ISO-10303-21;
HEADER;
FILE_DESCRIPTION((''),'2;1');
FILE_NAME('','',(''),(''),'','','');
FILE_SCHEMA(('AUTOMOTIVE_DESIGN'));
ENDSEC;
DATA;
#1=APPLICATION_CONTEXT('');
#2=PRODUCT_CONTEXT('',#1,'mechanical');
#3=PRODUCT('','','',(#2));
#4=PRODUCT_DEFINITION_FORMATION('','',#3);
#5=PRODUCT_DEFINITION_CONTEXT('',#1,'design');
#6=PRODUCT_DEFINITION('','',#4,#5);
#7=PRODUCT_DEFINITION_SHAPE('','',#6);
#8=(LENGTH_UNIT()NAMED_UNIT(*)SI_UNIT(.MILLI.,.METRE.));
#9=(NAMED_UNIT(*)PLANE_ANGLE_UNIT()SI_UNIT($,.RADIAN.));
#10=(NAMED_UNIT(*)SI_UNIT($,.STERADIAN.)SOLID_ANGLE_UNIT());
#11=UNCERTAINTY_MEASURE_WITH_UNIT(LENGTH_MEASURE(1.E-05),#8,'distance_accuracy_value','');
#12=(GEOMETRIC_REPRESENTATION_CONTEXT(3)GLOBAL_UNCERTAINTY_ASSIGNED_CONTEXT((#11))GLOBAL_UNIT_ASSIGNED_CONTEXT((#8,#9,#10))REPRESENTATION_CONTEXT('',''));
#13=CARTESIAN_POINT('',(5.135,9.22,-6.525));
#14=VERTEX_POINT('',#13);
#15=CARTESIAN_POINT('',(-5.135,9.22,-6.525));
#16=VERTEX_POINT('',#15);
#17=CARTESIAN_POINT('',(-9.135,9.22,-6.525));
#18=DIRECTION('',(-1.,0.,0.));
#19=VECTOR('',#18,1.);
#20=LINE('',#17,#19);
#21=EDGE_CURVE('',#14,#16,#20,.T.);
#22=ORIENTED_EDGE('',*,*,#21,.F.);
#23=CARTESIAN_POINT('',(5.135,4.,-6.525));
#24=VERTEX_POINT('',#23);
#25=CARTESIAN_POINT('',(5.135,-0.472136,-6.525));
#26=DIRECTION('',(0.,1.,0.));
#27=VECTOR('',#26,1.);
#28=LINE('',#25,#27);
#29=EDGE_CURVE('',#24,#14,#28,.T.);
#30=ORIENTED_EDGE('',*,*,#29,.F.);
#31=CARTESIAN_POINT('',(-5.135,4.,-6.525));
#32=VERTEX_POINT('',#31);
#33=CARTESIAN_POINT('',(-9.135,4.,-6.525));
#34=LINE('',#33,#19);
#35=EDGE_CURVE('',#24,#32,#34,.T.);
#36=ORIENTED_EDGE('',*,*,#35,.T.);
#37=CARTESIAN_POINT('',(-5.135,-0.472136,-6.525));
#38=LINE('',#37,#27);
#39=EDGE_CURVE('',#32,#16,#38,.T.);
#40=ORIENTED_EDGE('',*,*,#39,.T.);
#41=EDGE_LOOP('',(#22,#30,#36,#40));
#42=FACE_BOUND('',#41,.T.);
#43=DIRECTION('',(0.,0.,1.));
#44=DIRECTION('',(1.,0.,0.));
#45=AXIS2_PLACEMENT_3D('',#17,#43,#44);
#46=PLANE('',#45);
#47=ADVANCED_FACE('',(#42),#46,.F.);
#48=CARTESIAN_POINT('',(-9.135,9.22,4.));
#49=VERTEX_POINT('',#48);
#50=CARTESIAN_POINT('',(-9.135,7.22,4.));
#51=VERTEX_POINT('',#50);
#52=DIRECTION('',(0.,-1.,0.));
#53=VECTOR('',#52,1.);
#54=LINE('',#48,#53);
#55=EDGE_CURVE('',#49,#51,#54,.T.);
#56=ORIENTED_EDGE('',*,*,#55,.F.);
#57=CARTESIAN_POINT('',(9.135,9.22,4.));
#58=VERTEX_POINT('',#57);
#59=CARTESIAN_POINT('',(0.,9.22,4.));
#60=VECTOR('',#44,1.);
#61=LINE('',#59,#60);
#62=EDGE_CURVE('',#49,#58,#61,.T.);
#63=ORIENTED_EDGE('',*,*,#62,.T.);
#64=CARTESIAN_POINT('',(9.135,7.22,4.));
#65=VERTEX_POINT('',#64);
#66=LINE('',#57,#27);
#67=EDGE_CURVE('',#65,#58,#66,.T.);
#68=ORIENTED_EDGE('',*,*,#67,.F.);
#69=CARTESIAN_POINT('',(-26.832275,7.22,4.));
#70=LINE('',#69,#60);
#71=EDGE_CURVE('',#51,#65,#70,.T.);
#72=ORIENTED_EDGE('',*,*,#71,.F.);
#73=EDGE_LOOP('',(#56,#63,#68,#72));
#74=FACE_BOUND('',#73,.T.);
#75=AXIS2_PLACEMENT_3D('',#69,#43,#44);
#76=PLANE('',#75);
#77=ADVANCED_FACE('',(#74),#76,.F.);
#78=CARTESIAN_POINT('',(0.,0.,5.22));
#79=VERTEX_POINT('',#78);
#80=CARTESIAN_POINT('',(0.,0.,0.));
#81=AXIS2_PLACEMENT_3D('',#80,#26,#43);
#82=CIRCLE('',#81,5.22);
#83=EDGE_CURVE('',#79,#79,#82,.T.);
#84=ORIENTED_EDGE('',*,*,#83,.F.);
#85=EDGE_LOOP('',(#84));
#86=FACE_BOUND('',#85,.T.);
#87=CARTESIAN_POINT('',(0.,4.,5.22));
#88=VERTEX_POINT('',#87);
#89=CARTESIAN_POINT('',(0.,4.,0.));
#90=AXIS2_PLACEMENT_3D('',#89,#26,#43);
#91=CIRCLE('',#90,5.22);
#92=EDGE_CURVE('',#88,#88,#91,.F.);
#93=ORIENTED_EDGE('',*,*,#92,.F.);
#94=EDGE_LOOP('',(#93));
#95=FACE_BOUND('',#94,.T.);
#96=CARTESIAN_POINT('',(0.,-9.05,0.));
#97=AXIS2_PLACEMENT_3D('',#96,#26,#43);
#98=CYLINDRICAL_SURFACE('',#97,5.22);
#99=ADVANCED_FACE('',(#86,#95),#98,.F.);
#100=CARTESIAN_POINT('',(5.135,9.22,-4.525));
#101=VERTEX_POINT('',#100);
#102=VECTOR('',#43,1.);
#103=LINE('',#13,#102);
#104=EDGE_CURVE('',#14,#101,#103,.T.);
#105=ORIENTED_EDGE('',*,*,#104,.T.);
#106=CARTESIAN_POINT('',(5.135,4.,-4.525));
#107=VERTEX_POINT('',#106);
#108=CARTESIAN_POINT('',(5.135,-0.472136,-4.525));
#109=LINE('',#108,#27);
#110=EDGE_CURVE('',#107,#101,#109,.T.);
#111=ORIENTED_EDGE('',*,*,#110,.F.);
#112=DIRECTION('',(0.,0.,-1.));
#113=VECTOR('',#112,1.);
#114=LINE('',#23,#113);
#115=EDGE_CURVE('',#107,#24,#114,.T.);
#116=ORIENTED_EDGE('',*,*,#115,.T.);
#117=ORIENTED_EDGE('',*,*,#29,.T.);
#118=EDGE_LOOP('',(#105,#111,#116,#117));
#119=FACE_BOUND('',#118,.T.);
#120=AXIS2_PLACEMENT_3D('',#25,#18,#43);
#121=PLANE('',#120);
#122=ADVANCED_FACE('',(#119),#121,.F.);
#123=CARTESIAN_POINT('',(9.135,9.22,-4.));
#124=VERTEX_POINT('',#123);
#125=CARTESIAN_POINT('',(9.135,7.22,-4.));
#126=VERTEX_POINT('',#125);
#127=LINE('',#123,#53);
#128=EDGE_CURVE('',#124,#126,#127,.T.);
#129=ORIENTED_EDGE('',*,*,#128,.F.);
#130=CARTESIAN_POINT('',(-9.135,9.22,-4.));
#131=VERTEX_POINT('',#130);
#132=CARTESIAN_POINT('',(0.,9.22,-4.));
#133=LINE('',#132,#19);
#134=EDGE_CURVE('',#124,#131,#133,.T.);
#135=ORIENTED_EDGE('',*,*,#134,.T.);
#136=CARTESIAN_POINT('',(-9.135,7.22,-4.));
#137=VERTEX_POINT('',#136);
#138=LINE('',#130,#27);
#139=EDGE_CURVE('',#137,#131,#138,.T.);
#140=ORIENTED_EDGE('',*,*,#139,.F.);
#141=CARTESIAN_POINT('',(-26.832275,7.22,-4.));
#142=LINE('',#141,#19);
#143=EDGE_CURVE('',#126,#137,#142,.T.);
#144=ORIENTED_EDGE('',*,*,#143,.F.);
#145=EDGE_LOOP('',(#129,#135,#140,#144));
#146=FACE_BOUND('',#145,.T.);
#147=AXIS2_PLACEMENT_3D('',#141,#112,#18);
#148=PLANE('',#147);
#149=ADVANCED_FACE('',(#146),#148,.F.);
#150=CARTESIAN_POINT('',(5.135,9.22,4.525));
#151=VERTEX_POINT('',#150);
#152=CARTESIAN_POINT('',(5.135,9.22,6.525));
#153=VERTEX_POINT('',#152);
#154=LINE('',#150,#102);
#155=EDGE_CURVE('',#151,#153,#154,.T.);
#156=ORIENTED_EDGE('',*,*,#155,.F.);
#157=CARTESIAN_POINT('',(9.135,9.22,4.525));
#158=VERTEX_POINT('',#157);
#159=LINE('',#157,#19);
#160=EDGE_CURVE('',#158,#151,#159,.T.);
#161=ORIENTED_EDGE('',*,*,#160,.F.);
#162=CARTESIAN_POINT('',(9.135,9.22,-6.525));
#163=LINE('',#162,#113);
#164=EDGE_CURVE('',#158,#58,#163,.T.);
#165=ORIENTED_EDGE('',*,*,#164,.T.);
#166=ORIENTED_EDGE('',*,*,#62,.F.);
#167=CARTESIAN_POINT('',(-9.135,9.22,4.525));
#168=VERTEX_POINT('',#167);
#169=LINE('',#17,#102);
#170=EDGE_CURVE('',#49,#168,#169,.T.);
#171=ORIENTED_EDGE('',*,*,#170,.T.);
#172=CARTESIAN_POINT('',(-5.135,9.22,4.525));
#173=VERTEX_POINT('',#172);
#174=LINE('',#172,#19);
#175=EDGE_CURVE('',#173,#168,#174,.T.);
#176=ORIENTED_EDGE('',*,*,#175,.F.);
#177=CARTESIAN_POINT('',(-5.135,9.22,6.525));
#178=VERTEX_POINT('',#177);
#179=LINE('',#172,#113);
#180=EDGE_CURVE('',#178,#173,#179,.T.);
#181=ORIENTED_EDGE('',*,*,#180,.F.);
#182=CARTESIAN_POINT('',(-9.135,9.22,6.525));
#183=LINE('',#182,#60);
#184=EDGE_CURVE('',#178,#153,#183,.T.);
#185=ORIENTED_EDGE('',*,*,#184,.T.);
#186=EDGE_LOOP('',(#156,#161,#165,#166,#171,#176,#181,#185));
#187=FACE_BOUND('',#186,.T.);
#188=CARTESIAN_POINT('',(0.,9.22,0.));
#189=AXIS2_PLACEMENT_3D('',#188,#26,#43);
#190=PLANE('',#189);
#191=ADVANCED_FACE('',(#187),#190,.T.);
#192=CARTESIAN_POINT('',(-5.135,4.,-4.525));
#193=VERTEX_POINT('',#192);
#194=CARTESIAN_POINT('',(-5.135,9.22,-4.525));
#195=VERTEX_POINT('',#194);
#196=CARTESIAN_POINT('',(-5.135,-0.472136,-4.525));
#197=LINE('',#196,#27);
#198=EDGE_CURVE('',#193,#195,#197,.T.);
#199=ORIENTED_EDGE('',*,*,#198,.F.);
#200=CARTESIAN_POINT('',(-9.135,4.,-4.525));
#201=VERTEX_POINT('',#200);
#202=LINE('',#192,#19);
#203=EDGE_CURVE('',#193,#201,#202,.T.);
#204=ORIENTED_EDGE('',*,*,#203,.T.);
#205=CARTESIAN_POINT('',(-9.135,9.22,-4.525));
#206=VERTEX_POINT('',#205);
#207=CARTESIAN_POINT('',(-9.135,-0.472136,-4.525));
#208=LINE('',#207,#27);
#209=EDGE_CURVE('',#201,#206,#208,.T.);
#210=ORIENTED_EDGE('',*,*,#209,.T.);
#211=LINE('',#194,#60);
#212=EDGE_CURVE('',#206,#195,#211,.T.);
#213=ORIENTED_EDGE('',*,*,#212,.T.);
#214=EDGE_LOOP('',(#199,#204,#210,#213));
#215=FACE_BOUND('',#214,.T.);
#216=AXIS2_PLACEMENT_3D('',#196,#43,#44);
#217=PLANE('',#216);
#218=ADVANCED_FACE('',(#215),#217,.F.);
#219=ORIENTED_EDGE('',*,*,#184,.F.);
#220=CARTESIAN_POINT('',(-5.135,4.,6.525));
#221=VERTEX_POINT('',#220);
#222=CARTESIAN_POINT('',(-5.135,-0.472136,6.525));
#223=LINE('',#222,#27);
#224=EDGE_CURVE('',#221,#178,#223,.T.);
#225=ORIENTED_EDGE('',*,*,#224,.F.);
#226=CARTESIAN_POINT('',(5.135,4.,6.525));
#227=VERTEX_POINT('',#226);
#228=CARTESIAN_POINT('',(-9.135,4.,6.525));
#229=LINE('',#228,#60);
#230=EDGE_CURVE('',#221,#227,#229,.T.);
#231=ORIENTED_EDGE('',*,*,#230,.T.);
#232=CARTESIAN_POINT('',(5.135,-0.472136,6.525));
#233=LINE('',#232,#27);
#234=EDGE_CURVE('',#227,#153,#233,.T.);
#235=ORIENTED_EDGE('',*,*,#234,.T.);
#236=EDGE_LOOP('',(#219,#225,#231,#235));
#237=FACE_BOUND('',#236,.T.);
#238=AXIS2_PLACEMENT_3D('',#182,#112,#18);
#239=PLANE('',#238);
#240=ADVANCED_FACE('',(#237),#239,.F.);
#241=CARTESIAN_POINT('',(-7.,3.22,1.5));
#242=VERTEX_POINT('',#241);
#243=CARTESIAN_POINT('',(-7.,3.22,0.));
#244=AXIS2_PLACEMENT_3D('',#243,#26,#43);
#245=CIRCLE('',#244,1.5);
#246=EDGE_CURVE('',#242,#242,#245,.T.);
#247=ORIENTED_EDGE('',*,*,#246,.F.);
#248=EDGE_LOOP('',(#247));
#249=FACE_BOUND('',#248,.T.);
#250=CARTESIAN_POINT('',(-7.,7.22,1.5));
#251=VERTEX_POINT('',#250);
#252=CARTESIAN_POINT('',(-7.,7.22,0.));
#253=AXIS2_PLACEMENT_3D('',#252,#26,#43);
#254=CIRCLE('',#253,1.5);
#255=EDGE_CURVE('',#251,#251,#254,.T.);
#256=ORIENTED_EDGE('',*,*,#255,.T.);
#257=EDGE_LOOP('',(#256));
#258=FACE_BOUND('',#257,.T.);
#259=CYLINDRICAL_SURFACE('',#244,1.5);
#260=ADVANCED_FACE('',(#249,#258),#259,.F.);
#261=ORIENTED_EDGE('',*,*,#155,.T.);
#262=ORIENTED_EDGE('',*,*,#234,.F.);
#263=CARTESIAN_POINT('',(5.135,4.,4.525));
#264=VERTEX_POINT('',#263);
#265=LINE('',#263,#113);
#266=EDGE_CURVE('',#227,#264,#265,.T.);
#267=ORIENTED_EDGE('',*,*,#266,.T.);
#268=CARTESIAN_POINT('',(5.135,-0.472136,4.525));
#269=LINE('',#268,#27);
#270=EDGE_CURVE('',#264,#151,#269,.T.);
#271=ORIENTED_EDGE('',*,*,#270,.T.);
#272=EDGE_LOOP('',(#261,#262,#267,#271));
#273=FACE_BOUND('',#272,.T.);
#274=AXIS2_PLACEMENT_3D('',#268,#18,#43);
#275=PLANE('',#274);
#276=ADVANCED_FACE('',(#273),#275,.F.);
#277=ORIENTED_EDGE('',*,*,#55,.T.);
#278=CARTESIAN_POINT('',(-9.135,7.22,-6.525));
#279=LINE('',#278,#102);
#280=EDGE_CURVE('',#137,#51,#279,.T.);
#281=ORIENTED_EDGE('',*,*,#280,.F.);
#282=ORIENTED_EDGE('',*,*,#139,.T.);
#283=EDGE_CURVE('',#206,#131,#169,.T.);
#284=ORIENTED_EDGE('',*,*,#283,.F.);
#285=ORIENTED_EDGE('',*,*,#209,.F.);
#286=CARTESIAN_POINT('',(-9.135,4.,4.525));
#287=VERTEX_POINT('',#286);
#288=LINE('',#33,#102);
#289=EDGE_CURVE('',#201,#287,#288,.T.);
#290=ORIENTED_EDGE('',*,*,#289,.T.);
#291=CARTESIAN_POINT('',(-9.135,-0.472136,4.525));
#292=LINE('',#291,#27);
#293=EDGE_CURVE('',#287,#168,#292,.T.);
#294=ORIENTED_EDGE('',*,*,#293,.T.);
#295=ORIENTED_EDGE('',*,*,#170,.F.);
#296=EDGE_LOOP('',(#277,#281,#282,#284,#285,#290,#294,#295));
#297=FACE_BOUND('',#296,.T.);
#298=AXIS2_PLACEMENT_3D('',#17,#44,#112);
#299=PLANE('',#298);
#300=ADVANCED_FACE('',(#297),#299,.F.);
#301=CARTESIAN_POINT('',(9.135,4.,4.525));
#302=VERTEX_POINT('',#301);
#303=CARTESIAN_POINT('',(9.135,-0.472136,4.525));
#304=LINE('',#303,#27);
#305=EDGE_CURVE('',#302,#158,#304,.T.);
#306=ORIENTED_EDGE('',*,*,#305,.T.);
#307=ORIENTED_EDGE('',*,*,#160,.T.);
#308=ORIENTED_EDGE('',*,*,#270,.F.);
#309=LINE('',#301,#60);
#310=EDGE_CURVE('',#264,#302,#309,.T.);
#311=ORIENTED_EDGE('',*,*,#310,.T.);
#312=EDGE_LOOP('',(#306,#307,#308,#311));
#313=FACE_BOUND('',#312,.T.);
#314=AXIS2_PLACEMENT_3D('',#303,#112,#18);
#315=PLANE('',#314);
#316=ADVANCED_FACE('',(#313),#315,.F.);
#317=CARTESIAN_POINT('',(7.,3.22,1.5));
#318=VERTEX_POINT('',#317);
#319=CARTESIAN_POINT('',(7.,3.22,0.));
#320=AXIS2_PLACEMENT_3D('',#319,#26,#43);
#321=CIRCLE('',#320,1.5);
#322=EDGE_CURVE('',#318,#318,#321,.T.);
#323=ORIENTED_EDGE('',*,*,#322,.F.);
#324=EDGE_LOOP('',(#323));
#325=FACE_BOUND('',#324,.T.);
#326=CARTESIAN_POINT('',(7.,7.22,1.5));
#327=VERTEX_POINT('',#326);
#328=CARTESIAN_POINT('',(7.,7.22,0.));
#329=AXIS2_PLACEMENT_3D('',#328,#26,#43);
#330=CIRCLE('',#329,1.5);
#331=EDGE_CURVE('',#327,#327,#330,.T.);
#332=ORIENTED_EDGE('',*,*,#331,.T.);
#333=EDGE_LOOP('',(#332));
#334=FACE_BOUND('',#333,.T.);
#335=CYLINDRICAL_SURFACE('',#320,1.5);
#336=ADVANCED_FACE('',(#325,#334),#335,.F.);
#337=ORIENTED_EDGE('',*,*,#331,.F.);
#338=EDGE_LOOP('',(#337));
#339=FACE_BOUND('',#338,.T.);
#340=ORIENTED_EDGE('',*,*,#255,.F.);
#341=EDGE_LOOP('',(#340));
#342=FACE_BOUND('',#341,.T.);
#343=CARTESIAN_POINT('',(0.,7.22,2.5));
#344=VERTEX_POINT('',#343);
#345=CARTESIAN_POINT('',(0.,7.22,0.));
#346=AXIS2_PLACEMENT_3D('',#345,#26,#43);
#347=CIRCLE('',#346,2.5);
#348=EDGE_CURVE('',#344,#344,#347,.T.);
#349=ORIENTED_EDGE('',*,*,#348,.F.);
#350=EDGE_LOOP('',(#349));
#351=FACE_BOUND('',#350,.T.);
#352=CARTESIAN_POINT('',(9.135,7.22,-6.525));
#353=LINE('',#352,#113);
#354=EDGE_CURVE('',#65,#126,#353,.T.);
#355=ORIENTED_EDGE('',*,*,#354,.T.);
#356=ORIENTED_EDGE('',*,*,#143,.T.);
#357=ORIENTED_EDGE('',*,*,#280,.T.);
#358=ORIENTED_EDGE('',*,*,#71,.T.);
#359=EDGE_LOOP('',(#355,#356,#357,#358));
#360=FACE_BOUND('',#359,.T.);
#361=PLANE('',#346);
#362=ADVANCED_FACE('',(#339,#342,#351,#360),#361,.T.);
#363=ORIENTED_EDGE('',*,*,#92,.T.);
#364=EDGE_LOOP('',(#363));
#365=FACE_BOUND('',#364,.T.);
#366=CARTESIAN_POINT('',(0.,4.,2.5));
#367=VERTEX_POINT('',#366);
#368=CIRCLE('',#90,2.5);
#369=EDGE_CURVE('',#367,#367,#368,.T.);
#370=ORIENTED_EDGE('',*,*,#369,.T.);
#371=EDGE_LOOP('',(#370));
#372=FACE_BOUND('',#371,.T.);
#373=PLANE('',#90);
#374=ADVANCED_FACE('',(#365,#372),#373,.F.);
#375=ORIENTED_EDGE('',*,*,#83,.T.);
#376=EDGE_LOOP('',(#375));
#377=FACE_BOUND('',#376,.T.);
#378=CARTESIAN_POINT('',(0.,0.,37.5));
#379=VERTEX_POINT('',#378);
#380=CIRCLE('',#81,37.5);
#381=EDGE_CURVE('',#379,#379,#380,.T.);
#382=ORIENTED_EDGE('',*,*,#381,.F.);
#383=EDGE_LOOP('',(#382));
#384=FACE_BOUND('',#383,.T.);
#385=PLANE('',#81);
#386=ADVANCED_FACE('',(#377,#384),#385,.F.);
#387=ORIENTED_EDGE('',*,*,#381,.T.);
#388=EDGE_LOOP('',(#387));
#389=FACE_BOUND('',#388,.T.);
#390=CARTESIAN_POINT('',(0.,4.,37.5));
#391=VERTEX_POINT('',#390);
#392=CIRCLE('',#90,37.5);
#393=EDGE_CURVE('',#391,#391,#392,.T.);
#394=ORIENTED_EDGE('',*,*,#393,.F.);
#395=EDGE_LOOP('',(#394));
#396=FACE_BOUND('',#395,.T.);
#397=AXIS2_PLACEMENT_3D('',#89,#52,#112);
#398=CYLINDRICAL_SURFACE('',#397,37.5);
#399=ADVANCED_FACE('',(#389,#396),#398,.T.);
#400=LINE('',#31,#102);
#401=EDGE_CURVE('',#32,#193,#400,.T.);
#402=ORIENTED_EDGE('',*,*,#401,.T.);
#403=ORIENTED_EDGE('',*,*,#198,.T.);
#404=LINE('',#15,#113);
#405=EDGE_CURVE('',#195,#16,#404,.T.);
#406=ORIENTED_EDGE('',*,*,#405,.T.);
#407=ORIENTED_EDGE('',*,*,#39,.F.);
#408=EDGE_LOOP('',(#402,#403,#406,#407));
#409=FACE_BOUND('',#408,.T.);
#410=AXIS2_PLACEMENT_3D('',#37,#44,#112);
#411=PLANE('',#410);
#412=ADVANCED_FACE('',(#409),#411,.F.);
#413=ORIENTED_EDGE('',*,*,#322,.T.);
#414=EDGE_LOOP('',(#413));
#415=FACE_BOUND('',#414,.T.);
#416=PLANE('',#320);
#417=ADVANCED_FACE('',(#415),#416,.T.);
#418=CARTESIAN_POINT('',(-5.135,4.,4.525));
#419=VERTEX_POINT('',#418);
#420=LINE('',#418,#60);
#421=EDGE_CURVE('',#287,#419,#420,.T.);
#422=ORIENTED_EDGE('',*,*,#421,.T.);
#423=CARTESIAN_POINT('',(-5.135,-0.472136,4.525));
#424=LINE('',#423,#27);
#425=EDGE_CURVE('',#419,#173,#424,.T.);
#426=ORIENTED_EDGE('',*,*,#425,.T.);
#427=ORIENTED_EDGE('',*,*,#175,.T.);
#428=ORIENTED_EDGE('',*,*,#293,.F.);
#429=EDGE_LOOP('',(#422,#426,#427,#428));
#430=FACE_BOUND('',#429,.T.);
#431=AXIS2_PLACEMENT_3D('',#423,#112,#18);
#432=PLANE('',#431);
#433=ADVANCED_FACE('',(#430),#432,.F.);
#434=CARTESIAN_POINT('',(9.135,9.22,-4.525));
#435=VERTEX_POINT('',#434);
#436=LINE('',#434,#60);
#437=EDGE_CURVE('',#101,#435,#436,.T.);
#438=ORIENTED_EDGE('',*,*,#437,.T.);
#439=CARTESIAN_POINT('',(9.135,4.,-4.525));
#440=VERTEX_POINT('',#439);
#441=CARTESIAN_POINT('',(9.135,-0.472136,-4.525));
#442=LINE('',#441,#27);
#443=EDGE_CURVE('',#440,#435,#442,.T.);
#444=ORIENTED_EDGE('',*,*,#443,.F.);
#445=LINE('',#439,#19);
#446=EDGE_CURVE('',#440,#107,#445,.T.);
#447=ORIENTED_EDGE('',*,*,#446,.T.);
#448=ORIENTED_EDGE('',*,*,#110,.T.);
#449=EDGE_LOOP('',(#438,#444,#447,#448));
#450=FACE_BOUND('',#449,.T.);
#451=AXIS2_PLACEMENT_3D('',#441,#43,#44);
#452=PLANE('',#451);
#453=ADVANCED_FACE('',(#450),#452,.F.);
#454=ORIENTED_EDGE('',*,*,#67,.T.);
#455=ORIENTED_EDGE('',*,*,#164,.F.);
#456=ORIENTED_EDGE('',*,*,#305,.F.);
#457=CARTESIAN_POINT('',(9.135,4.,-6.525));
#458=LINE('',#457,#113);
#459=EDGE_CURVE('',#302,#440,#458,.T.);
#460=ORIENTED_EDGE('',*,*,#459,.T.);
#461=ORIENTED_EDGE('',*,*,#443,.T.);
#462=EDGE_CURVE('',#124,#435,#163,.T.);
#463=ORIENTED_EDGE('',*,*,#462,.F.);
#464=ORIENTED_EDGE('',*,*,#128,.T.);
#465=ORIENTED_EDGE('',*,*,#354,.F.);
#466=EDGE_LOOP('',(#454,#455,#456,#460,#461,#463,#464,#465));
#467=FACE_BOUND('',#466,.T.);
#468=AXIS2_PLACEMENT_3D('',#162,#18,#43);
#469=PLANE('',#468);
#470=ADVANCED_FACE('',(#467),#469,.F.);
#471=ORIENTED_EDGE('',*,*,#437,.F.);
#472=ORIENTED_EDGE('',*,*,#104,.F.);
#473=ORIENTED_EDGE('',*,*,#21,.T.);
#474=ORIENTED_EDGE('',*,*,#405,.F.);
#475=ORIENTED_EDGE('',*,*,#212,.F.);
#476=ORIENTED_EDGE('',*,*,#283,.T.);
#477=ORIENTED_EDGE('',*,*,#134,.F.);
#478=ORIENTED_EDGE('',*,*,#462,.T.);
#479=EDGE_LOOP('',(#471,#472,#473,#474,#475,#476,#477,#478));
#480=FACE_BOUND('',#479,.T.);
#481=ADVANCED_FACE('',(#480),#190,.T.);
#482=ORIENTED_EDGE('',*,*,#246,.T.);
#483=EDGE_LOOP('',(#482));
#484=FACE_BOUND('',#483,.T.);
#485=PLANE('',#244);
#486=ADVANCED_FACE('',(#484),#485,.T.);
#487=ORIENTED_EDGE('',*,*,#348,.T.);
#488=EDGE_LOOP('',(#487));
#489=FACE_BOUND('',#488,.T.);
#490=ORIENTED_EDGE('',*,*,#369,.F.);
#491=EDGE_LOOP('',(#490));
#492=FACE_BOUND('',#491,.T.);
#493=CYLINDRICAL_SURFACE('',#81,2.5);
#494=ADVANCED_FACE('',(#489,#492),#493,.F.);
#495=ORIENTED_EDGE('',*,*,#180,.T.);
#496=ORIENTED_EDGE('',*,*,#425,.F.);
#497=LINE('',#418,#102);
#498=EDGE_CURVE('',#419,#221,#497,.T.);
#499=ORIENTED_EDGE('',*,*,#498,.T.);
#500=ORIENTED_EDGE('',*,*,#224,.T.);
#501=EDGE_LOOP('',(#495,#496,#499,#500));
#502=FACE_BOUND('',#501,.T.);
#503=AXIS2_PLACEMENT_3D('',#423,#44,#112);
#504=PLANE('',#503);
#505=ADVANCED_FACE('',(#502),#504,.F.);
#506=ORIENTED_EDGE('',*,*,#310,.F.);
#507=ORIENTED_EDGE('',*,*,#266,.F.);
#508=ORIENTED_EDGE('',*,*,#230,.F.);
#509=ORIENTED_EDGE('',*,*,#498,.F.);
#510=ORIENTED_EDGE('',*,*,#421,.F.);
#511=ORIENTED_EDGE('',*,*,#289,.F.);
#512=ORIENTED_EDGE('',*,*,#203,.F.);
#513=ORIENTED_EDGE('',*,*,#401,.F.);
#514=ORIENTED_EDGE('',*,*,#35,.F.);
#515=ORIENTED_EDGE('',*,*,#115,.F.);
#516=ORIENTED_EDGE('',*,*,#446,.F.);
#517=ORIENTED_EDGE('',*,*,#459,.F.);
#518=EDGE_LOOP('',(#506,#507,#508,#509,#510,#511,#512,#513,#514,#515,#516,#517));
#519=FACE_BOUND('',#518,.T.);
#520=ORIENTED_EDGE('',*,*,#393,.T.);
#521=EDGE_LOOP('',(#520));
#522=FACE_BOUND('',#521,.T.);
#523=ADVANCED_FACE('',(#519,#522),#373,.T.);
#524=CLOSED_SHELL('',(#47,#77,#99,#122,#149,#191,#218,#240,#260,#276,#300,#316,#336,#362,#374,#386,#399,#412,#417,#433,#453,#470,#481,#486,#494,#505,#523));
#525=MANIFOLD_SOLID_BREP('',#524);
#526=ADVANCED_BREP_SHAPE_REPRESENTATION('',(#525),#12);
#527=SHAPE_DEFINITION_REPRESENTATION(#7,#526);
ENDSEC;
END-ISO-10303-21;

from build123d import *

# Parameters (mm, degrees)
SKETCH1_R           = 37.5
BOSS_EXTRUDE1_DEPTH = 4
SKETCH2_R           = 5.22
CUT_EXTRUDE1_DEPTH  = 13.05
SKETCH3_W           = 18.27
SKETCH3_H           = 13.05
BOSS_EXTRUDE2_DEPTH = 5.22
SKETCH4_W           = 4
SKETCH4_H           = 2
CUT_EXTRUDE2_DEPTH  = 5.22
SKETCH5_W           = 53.664550202
SKETCH5_H           = 8
CUT_EXTRUDE3_DEPTH  = 2
SKETCH6_R           = 1.5
CUT_EXTRUDE4_DEPTH  = 4
SKETCH7_R           = 2.5
CUT_EXTRUDE5_DEPTH  = 8.22


with BuildPart() as part:
    # Sketch1 → Boss-Extrude1 (new body)
    with BuildSketch(Plane(origin=(0, 0, 0), x_dir=(1, 0, 0), z_dir=(0, 1, 0))):
        Circle(SKETCH1_R)
    extrude(amount=BOSS_EXTRUDE1_DEPTH)

    # Sketch2 → Cut-Extrude1 (cut)
    with BuildSketch(Plane(origin=(0, 4, 0), x_dir=(1, 0, 0), z_dir=(0, 1, 0))):
        Circle(SKETCH2_R)
    extrude(amount=-CUT_EXTRUDE1_DEPTH, mode=Mode.SUBTRACT)

    # Sketch3 → Boss-Extrude2 (add)
    with BuildSketch(Plane(origin=(0, 4, 0), x_dir=(1, 0, 0), z_dir=(0, 1, 0))):
        Rectangle(SKETCH3_W, SKETCH3_H)
    extrude(amount=BOSS_EXTRUDE2_DEPTH)

    # Sketch4 → Cut-Extrude2 (cut)
    with BuildSketch(Plane(origin=(0, 9.22, 0), x_dir=(1, 0, 0), z_dir=(0, 1, 0))):
        with Locations((-7.135, -5.525)):
            Rectangle(SKETCH4_W, SKETCH4_H)
        with Locations((-7.135, 5.525)):
            Rectangle(SKETCH4_W, SKETCH4_H)
        with Locations((7.135, 5.525)):
            Rectangle(SKETCH4_W, SKETCH4_H)
        with Locations((7.135, -5.525)):
            Rectangle(SKETCH4_W, SKETCH4_H)
    extrude(amount=-CUT_EXTRUDE2_DEPTH, mode=Mode.SUBTRACT)

    # Sketch5 → Cut-Extrude3 (cut)
    with BuildSketch(Plane(origin=(0, 9.22, 0), x_dir=(1, 0, 0), z_dir=(0, 1, 0))):
        Rectangle(SKETCH5_W, SKETCH5_H)
    extrude(amount=-CUT_EXTRUDE3_DEPTH, mode=Mode.SUBTRACT)

    # Sketch6 → Cut-Extrude4 (cut)
    with BuildSketch(Plane(origin=(0, 7.22, 0), x_dir=(1, 0, 0), z_dir=(0, 1, 0))):
        with Locations((-7, 0)):
            Circle(SKETCH6_R)
        with Locations((7, 0)):
            Circle(SKETCH6_R)
    extrude(amount=-CUT_EXTRUDE4_DEPTH, mode=Mode.SUBTRACT)

    # Sketch7 → Cut-Extrude5 (cut, through all)
    with BuildSketch(Plane(origin=(0, 7.22, 0), x_dir=(1, 0, 0), z_dir=(0, 1, 0))):
        Circle(SKETCH7_R)
    extrude(amount=-CUT_EXTRUDE5_DEPTH, mode=Mode.SUBTRACT)


solid = part.part
